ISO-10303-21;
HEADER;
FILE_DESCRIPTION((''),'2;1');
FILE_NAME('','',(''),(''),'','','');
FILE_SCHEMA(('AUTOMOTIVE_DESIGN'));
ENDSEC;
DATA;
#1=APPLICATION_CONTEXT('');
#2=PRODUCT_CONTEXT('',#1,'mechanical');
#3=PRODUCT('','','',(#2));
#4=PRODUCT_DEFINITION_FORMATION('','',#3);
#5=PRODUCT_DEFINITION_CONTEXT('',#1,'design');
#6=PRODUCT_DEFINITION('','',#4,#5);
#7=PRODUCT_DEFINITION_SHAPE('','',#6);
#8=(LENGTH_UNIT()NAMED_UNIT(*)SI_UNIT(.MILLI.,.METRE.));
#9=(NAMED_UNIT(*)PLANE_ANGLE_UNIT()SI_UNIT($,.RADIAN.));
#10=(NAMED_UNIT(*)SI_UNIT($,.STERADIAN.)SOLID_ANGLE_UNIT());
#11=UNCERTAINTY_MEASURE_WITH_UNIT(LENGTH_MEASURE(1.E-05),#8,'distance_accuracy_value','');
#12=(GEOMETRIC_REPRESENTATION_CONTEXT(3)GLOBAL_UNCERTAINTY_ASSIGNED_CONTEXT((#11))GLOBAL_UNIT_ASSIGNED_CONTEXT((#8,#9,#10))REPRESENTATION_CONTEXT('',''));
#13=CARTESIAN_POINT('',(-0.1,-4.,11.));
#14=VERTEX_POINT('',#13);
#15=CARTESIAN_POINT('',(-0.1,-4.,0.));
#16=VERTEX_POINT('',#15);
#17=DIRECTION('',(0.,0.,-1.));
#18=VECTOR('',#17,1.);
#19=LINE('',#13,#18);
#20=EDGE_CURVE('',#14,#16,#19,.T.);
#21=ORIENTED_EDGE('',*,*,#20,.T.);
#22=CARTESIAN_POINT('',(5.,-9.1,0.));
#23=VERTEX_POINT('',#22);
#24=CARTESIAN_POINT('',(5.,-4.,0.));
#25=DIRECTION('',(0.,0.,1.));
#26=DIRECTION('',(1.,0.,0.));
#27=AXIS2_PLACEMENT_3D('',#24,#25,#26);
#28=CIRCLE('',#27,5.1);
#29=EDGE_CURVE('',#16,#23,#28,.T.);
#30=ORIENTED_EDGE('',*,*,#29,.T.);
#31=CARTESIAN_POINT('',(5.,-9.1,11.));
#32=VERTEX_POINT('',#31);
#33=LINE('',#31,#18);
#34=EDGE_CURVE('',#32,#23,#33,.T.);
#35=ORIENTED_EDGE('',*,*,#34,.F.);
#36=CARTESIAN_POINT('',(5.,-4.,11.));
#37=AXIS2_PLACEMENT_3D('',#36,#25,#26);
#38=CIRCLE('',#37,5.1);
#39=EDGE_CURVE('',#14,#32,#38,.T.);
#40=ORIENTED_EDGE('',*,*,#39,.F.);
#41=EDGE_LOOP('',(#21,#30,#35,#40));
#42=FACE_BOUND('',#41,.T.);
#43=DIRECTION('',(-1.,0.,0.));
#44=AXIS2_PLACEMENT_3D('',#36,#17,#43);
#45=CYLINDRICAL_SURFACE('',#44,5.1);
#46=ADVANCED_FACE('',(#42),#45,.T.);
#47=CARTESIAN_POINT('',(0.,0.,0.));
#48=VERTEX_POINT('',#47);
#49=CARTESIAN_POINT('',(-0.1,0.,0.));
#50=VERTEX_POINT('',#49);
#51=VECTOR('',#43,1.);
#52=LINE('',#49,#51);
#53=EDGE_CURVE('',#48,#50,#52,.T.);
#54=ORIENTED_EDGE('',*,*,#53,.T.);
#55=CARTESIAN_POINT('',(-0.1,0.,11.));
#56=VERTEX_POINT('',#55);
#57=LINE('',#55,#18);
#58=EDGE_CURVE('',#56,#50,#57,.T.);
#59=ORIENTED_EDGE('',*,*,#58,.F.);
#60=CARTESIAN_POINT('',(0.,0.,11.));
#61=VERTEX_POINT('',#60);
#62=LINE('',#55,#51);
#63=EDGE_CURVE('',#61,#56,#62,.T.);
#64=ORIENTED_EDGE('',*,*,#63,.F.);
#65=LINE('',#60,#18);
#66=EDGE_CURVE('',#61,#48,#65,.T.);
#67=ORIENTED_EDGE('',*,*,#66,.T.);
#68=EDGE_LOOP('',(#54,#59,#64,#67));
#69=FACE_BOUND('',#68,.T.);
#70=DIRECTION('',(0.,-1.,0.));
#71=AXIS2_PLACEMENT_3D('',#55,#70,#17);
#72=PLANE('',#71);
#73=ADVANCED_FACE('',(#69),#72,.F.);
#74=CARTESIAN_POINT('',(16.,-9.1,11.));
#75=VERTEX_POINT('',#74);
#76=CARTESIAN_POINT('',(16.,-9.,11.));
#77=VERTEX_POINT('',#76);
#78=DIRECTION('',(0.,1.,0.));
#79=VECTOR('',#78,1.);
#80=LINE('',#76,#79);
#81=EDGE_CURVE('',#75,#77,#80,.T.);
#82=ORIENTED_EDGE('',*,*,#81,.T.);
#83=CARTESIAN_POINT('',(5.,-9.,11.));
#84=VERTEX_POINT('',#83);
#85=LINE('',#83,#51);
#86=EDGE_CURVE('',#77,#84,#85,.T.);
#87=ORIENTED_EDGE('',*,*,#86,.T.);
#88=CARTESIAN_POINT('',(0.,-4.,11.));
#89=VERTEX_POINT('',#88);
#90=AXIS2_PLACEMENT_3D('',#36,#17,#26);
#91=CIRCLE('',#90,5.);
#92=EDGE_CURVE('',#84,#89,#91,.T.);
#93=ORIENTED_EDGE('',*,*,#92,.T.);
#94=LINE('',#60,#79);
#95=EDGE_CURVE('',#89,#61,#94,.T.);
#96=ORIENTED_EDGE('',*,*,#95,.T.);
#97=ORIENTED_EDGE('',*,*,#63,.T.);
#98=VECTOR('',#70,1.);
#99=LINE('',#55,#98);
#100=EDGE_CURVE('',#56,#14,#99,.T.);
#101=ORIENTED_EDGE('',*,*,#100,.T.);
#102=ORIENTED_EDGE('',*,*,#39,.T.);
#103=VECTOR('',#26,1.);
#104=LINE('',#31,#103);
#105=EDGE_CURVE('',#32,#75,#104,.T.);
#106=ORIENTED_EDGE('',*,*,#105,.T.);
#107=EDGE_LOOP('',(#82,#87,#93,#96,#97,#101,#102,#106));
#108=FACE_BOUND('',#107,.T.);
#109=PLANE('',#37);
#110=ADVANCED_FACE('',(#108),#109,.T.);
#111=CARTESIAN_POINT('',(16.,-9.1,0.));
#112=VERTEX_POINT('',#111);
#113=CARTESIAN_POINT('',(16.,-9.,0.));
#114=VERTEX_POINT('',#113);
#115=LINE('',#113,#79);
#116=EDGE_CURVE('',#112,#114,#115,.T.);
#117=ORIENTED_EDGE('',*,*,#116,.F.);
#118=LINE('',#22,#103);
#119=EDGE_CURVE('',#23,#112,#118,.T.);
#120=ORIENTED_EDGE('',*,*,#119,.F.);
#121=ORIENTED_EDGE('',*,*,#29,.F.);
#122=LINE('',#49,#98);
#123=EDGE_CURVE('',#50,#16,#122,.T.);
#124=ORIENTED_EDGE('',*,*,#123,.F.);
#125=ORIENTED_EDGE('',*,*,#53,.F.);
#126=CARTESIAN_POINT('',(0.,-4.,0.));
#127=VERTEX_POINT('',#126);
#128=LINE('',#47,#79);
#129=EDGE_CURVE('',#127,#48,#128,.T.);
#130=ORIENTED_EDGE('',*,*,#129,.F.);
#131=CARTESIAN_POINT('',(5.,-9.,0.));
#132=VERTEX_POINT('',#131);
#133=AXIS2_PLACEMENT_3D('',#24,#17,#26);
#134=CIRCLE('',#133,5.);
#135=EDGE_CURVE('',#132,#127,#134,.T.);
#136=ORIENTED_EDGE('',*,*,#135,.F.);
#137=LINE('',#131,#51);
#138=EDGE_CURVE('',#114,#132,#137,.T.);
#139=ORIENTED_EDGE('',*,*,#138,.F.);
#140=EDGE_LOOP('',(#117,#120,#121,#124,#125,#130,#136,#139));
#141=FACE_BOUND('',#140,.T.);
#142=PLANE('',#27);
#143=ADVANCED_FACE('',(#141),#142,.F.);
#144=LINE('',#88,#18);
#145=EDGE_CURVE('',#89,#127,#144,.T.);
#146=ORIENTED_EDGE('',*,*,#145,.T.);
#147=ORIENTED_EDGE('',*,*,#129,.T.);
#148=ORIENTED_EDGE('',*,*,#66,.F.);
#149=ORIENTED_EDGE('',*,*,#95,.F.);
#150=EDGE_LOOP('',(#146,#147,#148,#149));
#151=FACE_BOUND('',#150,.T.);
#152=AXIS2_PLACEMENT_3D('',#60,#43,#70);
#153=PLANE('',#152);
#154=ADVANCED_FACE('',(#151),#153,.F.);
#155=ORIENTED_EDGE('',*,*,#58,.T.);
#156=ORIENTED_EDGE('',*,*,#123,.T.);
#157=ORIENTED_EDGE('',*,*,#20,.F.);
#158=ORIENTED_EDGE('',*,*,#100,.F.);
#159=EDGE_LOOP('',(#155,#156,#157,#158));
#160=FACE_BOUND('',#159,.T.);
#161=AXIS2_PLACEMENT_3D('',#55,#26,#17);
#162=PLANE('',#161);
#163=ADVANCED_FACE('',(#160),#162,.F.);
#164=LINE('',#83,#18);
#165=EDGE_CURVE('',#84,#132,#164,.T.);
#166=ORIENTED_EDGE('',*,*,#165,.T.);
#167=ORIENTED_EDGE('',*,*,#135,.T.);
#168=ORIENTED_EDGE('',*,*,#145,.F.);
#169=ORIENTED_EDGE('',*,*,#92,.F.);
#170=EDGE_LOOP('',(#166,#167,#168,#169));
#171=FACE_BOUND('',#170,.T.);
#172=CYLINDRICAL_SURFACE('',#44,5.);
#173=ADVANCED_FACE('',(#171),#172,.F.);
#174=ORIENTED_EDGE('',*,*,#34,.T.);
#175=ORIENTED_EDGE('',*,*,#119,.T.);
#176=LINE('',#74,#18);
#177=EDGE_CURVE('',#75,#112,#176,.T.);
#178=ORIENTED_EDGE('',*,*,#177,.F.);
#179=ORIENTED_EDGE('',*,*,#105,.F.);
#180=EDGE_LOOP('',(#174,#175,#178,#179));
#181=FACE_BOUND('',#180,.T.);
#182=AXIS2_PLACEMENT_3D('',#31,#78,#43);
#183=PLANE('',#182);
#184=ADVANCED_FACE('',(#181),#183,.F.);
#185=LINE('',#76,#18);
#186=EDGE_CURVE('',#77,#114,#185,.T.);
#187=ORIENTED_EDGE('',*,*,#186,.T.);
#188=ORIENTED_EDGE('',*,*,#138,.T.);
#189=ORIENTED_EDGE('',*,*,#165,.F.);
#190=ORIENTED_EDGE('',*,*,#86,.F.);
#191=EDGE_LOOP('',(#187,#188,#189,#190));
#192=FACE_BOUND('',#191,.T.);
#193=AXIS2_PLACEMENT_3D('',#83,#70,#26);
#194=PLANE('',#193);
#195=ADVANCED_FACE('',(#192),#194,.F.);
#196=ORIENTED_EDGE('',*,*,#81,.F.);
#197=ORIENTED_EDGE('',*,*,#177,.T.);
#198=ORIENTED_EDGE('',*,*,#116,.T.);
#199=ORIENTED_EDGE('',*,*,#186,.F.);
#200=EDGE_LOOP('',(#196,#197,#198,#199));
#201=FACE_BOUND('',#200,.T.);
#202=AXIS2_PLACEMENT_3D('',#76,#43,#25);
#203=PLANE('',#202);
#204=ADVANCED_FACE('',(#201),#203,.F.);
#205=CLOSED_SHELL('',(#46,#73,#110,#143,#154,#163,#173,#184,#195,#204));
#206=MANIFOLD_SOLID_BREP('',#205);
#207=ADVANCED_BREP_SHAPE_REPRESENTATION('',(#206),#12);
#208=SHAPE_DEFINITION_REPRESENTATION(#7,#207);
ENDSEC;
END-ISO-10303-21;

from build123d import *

# Parameters (mm, degrees)
BOSS_EXTRUDE1_DEPTH = 11


with BuildPart() as part:
    # Sketch1 → Boss-Extrude1 (new body)
    with BuildSketch(Plane.XY):
        with BuildLine():
            Line((0, 0), (0, -4))
            ThreePointArc((0, -4), (1.464466094, -7.535533906), (5, -9))
            Line((5, -9), (16, -9))
            Line((16, -9), (16, -9.1))
            Line((16, -9.1), (5, -9.1))
            ThreePointArc((5, -9.1), (1.393755416, -7.606244584), (-0.1, -4))
            Line((-0.1, -4), (-0.1, 0))
            Line((-0.1, 0), (0, 0))
        make_face()
    extrude(amount=BOSS_EXTRUDE1_DEPTH)


solid = part.part
